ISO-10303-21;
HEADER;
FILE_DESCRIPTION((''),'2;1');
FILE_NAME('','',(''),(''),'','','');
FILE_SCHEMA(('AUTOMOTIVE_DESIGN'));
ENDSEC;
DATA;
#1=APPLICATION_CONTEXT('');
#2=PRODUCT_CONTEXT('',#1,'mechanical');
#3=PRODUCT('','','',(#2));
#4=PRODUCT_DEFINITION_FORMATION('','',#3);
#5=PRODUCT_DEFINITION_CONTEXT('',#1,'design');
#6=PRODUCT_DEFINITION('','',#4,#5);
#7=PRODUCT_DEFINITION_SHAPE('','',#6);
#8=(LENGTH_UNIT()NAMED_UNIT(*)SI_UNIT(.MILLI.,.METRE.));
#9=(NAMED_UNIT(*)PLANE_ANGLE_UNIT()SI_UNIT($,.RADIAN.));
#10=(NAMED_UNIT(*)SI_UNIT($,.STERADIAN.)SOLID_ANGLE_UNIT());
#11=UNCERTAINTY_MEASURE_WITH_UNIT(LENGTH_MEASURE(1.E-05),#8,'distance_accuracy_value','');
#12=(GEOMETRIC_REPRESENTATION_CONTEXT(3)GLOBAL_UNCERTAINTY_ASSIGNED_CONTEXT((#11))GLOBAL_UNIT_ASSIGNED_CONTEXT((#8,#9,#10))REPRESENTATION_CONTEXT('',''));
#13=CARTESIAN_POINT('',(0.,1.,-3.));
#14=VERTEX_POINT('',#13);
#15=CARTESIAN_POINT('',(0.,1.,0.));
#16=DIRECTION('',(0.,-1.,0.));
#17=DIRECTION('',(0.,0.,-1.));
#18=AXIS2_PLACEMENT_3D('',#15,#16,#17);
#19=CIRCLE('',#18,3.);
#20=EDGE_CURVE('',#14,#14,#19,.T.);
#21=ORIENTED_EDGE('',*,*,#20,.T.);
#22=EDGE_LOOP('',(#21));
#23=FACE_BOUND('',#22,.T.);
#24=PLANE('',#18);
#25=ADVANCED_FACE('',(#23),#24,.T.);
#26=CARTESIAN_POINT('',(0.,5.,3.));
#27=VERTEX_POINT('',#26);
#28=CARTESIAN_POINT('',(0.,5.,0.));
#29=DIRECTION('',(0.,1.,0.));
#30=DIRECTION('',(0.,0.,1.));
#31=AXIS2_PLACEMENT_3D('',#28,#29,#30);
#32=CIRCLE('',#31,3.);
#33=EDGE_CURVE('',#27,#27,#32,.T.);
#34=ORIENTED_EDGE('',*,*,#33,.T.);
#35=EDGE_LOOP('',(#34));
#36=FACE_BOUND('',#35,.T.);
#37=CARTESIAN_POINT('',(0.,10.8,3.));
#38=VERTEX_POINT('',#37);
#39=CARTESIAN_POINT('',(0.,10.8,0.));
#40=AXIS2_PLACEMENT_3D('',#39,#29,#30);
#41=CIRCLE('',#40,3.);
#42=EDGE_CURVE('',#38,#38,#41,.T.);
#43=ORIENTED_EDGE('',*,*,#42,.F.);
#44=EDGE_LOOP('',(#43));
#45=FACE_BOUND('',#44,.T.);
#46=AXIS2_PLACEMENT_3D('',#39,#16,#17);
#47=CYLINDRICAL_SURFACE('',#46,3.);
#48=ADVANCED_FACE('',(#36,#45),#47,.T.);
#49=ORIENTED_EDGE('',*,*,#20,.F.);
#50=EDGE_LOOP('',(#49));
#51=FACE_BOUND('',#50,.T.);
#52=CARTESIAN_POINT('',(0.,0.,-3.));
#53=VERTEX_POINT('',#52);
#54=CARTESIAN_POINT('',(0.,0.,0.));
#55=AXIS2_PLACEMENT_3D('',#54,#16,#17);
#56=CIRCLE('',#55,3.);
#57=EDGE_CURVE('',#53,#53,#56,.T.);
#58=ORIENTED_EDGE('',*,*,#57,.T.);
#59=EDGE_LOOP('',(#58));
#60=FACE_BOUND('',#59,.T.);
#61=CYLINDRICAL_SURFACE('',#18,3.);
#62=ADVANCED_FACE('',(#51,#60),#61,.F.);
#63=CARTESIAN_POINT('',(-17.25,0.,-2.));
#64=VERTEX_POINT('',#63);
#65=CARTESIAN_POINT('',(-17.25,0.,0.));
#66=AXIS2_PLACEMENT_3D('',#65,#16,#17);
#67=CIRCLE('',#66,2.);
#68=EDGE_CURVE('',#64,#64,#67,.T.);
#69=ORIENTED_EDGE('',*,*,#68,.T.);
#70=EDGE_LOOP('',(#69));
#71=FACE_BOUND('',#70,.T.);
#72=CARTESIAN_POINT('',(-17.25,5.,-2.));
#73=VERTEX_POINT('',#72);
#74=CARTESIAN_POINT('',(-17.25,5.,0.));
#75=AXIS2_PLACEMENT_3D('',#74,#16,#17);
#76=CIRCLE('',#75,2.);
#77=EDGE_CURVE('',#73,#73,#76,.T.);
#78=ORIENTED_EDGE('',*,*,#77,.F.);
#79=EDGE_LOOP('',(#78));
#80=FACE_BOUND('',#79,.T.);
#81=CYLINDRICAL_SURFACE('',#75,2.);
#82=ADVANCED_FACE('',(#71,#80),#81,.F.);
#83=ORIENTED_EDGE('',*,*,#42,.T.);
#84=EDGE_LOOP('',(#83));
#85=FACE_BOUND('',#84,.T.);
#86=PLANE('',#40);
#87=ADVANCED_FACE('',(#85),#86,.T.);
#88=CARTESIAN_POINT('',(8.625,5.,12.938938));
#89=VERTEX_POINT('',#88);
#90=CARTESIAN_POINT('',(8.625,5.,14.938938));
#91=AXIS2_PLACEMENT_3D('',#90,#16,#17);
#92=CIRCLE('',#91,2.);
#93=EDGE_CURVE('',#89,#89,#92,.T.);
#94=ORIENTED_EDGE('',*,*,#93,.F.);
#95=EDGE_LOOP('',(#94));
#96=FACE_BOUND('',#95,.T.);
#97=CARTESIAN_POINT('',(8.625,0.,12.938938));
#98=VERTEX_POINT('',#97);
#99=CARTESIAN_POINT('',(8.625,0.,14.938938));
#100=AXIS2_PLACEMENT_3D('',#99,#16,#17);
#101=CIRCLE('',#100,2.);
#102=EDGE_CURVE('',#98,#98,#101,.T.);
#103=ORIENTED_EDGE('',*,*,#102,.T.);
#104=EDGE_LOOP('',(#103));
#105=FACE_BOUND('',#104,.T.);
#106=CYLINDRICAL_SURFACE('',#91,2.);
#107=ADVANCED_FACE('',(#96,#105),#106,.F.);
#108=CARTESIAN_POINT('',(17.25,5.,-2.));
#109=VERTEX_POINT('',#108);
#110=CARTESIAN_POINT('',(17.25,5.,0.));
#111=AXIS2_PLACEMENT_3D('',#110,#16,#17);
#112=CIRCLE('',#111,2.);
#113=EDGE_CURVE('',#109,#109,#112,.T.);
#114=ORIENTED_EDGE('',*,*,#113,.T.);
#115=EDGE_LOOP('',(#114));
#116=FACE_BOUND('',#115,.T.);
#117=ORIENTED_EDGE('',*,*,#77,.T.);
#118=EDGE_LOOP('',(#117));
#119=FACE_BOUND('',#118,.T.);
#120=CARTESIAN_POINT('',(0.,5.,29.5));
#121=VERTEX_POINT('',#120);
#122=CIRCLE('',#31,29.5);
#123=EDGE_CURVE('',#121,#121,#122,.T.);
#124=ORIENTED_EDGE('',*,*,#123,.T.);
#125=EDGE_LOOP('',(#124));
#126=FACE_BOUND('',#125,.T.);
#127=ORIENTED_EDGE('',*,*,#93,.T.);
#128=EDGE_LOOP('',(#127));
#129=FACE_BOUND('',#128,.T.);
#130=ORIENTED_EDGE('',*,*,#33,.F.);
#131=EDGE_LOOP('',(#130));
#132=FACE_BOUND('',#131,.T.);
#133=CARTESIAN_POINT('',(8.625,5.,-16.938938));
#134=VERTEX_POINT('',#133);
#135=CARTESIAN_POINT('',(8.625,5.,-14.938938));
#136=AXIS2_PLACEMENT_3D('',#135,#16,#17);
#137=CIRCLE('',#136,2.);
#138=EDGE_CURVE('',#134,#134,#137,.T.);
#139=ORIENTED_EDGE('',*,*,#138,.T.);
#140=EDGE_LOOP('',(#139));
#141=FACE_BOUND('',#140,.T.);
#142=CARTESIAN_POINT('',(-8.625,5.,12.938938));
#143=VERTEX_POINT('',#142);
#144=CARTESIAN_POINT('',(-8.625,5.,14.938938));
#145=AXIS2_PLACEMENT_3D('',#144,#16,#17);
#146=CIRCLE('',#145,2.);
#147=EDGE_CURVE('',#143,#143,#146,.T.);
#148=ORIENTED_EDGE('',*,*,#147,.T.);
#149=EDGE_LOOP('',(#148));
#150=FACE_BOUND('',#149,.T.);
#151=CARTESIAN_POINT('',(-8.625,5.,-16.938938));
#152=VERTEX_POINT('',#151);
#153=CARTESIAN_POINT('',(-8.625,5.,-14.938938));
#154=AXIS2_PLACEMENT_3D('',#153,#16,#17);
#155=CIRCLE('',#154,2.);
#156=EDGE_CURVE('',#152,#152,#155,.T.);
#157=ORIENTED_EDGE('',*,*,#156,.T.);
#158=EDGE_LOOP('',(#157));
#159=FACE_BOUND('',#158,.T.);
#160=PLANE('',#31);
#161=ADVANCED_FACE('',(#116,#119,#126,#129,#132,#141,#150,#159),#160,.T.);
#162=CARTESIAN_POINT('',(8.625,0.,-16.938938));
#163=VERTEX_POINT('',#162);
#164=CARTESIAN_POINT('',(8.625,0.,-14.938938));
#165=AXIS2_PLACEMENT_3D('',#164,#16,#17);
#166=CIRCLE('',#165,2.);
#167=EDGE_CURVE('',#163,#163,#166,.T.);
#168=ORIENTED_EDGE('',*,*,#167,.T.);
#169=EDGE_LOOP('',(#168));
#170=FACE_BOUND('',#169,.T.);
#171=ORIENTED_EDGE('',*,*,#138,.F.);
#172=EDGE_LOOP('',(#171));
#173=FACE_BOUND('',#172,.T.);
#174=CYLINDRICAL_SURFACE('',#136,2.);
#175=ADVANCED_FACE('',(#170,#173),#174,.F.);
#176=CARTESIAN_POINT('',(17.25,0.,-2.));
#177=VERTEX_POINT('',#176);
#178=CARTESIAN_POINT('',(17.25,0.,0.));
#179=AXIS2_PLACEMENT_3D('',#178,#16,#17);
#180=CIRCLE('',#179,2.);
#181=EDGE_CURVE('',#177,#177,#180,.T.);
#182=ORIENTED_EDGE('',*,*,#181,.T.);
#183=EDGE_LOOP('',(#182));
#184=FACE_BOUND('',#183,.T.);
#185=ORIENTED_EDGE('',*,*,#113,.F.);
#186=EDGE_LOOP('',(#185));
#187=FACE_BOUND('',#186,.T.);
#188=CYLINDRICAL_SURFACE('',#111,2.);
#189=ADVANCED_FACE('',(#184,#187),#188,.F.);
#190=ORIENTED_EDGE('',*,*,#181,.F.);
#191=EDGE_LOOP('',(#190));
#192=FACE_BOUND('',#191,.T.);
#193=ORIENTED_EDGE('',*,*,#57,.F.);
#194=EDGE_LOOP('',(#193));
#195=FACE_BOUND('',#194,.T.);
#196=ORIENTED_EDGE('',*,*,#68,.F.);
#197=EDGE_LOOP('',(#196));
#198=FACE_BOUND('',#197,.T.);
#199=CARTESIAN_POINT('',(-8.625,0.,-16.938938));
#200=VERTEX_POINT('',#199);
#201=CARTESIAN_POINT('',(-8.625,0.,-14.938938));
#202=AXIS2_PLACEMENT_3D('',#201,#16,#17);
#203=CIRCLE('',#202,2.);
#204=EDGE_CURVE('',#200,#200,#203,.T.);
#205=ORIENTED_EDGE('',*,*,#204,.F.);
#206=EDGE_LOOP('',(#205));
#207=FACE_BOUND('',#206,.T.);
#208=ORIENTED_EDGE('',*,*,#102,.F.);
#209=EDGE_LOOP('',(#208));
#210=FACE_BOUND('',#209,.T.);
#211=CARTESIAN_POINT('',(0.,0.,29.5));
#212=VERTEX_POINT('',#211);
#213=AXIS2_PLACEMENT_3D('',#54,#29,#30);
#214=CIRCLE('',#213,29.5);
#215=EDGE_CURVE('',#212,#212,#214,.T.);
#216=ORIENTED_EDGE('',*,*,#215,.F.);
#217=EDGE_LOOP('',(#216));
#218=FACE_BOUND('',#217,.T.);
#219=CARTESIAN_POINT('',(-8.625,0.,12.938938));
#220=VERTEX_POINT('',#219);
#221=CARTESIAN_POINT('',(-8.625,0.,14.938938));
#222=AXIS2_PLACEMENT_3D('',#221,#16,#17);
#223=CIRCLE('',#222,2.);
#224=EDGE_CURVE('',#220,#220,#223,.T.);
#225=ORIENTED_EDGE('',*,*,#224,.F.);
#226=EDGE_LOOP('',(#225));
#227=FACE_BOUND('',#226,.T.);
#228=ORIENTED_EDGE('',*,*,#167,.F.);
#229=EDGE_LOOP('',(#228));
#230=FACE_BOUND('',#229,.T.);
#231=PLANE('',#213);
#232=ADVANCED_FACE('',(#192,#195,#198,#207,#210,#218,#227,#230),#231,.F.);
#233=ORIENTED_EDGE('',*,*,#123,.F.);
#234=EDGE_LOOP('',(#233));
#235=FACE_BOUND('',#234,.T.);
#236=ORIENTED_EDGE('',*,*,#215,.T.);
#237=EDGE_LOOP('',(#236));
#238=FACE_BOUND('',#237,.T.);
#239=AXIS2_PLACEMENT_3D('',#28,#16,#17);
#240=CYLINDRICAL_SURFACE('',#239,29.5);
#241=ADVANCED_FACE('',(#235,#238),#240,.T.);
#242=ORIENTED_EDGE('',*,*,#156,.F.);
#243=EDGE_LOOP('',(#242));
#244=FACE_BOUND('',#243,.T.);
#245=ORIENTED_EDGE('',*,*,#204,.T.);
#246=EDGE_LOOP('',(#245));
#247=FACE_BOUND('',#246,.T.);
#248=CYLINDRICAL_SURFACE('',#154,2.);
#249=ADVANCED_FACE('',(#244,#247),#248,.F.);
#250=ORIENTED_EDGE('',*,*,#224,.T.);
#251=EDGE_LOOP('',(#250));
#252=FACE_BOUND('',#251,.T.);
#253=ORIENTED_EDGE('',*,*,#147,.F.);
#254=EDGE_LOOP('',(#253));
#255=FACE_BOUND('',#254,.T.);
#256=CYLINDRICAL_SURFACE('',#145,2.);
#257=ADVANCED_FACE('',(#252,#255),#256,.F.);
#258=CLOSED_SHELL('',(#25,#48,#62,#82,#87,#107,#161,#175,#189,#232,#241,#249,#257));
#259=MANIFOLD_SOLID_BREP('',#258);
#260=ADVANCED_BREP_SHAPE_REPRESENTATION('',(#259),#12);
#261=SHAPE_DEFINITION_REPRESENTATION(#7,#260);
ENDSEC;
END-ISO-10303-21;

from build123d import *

# Parameters (mm, degrees)
SKETCH_1_R          = 29.5
EXTRUDE_1_DEPTH     = 5
SKETCH_2_R          = 3
EXTRUDE_2_DEPTH     = 5.8
SKETCH_3_R          = 2
CUT_EXTRUDE_1_DEPTH = 5
SKETCH_4_R          = 3
CUT_EXTRUDE_2_DEPTH = 1


with BuildPart() as part:
    # 草图1 → 凸台-拉伸1 (new body)
    with BuildSketch(Plane(origin=(0, 0, 0), x_dir=(1, 0, 0), z_dir=(0, 1, 0))):
        with Locations(Location((0, 0, 0), (0, 0, 270))):
            Circle(SKETCH_1_R)
    extrude(amount=EXTRUDE_1_DEPTH)

    # 草图2 → 凸台-拉伸2 (add)
    with BuildSketch(Plane(origin=(0, 5, 0), x_dir=(1, 0, 0), z_dir=(0, 1, 0))):
        with Locations(Location((0, 0, 0), (0, 0, 270))):
            Circle(SKETCH_2_R)
    extrude(amount=EXTRUDE_2_DEPTH)

    # 草图3 → 切除-拉伸1 (cut)
    with BuildSketch(Plane.XZ):
        with Locations(Location((17.25, 0, 0), (0, 0, 270))):
            Circle(SKETCH_3_R)
        with Locations(Location((8.625, -14.938938215, 0), (0, 0, 270))):
            Circle(SKETCH_3_R)
        with Locations(Location((-8.625, -14.938938215, 0), (0, 0, 270))):
            Circle(SKETCH_3_R)
        with Locations(Location((-17.25, 0, 0), (0, 0, 270))):
            Circle(SKETCH_3_R)
        with Locations(Location((-8.625, 14.938938215, 0), (0, 0, 270))):
            Circle(SKETCH_3_R)
        with Locations(Location((8.625, 14.938938215, 0), (0, 0, 270))):
            Circle(SKETCH_3_R)
    extrude(amount=-CUT_EXTRUDE_1_DEPTH, mode=Mode.SUBTRACT)

    # 草图4 → 切除-拉伸2 (cut)
    with BuildSketch(Plane.XZ):
        with Locations(Location((0, 0, 0), (0, 0, 90))):
            Circle(SKETCH_4_R)
    extrude(amount=-CUT_EXTRUDE_2_DEPTH, mode=Mode.SUBTRACT)


solid = part.part
